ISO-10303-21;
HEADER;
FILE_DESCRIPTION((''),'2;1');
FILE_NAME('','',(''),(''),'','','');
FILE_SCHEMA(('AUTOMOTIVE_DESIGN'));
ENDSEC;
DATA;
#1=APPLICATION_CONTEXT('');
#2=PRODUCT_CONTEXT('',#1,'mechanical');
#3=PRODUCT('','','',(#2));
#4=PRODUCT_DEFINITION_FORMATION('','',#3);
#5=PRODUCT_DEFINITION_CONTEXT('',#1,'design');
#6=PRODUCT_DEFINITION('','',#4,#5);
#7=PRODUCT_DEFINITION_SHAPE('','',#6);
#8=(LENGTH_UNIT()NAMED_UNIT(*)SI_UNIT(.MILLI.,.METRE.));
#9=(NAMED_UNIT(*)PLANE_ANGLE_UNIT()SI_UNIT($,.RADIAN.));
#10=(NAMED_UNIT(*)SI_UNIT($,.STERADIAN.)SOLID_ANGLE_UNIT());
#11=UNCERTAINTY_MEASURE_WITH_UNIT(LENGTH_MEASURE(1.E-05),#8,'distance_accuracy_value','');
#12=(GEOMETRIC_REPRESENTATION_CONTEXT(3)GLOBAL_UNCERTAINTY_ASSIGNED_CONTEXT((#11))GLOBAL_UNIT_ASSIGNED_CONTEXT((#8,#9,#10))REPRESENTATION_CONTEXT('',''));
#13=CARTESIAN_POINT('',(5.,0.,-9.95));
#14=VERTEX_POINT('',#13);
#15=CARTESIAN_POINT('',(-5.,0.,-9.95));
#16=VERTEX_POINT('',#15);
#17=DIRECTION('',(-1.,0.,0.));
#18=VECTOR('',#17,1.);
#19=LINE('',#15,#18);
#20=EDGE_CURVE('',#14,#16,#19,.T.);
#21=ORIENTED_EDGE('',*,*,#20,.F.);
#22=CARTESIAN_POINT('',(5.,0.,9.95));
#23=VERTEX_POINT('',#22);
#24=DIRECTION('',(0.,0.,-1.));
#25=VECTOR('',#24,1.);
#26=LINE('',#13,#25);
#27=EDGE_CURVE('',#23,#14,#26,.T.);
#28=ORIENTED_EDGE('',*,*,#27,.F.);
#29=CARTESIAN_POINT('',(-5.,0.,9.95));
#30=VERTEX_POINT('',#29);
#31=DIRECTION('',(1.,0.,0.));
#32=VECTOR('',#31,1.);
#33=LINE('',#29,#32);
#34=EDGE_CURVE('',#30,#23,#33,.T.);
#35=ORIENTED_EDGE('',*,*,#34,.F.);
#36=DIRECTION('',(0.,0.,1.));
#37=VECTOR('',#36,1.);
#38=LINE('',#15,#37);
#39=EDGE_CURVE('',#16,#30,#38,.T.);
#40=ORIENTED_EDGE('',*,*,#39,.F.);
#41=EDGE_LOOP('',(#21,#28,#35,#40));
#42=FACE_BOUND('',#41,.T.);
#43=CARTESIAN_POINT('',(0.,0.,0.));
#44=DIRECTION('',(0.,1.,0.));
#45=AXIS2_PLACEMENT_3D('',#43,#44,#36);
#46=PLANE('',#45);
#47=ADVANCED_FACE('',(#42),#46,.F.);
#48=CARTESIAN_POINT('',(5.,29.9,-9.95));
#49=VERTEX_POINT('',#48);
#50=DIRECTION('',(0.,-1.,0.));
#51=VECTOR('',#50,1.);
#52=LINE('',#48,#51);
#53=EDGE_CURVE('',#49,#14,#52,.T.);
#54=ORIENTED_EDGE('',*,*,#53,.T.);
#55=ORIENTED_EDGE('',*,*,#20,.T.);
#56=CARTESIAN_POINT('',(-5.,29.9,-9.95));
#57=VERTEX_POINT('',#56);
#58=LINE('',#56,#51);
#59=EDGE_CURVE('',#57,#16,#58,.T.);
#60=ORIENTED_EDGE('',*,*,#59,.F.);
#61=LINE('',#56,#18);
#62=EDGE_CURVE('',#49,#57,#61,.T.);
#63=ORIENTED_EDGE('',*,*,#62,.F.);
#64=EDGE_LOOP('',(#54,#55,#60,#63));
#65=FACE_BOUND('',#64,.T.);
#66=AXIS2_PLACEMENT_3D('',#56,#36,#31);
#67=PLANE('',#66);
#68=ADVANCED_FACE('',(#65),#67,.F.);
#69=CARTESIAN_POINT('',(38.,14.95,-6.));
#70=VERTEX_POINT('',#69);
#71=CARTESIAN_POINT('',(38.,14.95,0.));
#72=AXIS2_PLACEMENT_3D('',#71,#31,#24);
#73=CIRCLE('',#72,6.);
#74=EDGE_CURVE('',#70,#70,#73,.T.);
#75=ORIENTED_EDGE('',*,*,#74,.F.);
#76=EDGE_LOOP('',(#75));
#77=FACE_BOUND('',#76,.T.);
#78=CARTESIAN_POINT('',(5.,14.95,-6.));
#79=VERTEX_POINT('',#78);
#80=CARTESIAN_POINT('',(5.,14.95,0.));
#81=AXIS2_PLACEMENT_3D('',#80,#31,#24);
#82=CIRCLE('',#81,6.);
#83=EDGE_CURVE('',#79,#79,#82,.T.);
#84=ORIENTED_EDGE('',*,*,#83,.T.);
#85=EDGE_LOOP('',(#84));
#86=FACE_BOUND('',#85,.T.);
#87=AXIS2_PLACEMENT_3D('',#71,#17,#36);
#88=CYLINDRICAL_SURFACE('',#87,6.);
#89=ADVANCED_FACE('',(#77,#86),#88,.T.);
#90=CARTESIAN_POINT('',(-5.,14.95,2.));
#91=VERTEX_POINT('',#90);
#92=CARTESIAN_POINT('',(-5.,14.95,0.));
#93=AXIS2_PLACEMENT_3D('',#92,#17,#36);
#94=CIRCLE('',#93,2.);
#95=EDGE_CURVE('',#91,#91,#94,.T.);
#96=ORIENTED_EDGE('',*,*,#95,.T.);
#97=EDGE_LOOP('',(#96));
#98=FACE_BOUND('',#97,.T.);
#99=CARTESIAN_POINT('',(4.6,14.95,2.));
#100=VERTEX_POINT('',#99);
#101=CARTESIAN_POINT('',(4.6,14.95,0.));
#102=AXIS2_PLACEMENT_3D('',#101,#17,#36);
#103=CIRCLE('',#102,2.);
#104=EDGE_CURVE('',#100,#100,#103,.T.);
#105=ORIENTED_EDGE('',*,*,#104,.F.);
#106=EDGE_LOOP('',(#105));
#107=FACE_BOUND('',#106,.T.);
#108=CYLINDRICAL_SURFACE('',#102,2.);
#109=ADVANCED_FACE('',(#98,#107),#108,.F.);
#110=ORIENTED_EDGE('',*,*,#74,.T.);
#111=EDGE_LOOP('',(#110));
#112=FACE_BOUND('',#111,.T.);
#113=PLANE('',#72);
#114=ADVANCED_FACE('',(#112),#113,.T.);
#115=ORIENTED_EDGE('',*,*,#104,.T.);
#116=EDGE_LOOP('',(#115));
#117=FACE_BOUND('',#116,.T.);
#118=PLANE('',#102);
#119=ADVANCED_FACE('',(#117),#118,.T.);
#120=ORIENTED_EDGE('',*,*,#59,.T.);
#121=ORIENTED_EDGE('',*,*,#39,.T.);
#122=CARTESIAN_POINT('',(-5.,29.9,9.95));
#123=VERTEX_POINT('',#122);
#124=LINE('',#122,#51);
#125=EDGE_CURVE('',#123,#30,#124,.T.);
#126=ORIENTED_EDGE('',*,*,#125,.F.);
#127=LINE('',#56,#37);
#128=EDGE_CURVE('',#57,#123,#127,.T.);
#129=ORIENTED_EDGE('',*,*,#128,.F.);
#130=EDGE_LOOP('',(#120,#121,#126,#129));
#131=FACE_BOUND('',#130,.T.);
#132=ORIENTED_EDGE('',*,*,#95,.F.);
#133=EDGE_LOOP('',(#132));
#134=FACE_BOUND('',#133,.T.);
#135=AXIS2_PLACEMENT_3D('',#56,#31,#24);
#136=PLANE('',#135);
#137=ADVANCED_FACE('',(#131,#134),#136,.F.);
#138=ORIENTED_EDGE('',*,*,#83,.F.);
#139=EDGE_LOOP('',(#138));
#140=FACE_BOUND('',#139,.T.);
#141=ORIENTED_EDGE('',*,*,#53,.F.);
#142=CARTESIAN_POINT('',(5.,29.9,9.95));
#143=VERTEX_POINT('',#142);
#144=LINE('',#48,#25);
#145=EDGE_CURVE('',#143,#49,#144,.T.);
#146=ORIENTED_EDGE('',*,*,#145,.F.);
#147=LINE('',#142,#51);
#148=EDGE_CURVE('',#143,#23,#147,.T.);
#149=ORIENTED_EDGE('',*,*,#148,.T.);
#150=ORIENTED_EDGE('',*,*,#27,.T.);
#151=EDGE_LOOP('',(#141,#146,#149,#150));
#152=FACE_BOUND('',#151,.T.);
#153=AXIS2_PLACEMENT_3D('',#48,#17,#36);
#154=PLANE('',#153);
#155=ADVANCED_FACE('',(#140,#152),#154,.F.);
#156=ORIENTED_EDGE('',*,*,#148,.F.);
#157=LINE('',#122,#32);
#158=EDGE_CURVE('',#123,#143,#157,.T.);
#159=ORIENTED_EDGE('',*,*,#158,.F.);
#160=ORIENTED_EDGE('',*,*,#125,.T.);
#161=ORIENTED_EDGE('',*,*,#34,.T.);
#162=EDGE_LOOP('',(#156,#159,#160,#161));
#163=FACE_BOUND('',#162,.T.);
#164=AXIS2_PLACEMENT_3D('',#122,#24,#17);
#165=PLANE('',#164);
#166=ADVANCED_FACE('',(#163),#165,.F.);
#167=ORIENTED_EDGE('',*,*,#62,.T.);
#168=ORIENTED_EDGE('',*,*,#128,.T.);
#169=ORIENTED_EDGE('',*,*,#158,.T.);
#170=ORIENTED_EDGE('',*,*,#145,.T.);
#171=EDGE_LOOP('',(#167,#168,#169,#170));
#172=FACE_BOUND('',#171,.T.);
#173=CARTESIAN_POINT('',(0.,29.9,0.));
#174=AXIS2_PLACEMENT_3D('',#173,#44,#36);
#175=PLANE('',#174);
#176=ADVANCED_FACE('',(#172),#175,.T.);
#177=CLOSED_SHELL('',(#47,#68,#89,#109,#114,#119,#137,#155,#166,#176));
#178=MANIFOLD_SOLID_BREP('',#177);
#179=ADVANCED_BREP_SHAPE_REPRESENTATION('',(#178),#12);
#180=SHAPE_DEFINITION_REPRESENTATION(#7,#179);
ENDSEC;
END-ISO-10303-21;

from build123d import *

# Parameters (mm, degrees)
SKETCH_1_W          = 10
SKETCH_1_H          = 19.9
EXTRUDE_1_DEPTH     = 29.9
SKETCH_4_R          = 6
EXTRUDE_2_DEPTH     = 33
SKETCH_7_R          = 2
CUT_EXTRUDE_1_DEPTH = 9.6


with BuildPart() as part:
    # Эскиз1 → Бобышка-Вытянуть1 (new body)
    with BuildSketch(Plane(origin=(0, 0, 0), x_dir=(1, 0, 0), z_dir=(0, 1, 0))):
        Rectangle(SKETCH_1_W, SKETCH_1_H)
    extrude(amount=EXTRUDE_1_DEPTH)

    # Эскиз4 → Бобышка-Вытянуть2 (add)
    with BuildSketch(Plane(origin=(5, 0, 0), x_dir=(0, 0, -1), z_dir=(1, 0, 0))):
        with Locations((0, 14.95)):
            Circle(SKETCH_4_R)
    extrude(amount=EXTRUDE_2_DEPTH)

    # Эскиз7 → Вырез-Вытянуть1 (cut)
    with BuildSketch(Plane.ZY.offset(5)):
        with Locations((0, 14.95)):
            Circle(SKETCH_7_R)
    extrude(amount=-CUT_EXTRUDE_1_DEPTH, mode=Mode.SUBTRACT)


solid = part.part
